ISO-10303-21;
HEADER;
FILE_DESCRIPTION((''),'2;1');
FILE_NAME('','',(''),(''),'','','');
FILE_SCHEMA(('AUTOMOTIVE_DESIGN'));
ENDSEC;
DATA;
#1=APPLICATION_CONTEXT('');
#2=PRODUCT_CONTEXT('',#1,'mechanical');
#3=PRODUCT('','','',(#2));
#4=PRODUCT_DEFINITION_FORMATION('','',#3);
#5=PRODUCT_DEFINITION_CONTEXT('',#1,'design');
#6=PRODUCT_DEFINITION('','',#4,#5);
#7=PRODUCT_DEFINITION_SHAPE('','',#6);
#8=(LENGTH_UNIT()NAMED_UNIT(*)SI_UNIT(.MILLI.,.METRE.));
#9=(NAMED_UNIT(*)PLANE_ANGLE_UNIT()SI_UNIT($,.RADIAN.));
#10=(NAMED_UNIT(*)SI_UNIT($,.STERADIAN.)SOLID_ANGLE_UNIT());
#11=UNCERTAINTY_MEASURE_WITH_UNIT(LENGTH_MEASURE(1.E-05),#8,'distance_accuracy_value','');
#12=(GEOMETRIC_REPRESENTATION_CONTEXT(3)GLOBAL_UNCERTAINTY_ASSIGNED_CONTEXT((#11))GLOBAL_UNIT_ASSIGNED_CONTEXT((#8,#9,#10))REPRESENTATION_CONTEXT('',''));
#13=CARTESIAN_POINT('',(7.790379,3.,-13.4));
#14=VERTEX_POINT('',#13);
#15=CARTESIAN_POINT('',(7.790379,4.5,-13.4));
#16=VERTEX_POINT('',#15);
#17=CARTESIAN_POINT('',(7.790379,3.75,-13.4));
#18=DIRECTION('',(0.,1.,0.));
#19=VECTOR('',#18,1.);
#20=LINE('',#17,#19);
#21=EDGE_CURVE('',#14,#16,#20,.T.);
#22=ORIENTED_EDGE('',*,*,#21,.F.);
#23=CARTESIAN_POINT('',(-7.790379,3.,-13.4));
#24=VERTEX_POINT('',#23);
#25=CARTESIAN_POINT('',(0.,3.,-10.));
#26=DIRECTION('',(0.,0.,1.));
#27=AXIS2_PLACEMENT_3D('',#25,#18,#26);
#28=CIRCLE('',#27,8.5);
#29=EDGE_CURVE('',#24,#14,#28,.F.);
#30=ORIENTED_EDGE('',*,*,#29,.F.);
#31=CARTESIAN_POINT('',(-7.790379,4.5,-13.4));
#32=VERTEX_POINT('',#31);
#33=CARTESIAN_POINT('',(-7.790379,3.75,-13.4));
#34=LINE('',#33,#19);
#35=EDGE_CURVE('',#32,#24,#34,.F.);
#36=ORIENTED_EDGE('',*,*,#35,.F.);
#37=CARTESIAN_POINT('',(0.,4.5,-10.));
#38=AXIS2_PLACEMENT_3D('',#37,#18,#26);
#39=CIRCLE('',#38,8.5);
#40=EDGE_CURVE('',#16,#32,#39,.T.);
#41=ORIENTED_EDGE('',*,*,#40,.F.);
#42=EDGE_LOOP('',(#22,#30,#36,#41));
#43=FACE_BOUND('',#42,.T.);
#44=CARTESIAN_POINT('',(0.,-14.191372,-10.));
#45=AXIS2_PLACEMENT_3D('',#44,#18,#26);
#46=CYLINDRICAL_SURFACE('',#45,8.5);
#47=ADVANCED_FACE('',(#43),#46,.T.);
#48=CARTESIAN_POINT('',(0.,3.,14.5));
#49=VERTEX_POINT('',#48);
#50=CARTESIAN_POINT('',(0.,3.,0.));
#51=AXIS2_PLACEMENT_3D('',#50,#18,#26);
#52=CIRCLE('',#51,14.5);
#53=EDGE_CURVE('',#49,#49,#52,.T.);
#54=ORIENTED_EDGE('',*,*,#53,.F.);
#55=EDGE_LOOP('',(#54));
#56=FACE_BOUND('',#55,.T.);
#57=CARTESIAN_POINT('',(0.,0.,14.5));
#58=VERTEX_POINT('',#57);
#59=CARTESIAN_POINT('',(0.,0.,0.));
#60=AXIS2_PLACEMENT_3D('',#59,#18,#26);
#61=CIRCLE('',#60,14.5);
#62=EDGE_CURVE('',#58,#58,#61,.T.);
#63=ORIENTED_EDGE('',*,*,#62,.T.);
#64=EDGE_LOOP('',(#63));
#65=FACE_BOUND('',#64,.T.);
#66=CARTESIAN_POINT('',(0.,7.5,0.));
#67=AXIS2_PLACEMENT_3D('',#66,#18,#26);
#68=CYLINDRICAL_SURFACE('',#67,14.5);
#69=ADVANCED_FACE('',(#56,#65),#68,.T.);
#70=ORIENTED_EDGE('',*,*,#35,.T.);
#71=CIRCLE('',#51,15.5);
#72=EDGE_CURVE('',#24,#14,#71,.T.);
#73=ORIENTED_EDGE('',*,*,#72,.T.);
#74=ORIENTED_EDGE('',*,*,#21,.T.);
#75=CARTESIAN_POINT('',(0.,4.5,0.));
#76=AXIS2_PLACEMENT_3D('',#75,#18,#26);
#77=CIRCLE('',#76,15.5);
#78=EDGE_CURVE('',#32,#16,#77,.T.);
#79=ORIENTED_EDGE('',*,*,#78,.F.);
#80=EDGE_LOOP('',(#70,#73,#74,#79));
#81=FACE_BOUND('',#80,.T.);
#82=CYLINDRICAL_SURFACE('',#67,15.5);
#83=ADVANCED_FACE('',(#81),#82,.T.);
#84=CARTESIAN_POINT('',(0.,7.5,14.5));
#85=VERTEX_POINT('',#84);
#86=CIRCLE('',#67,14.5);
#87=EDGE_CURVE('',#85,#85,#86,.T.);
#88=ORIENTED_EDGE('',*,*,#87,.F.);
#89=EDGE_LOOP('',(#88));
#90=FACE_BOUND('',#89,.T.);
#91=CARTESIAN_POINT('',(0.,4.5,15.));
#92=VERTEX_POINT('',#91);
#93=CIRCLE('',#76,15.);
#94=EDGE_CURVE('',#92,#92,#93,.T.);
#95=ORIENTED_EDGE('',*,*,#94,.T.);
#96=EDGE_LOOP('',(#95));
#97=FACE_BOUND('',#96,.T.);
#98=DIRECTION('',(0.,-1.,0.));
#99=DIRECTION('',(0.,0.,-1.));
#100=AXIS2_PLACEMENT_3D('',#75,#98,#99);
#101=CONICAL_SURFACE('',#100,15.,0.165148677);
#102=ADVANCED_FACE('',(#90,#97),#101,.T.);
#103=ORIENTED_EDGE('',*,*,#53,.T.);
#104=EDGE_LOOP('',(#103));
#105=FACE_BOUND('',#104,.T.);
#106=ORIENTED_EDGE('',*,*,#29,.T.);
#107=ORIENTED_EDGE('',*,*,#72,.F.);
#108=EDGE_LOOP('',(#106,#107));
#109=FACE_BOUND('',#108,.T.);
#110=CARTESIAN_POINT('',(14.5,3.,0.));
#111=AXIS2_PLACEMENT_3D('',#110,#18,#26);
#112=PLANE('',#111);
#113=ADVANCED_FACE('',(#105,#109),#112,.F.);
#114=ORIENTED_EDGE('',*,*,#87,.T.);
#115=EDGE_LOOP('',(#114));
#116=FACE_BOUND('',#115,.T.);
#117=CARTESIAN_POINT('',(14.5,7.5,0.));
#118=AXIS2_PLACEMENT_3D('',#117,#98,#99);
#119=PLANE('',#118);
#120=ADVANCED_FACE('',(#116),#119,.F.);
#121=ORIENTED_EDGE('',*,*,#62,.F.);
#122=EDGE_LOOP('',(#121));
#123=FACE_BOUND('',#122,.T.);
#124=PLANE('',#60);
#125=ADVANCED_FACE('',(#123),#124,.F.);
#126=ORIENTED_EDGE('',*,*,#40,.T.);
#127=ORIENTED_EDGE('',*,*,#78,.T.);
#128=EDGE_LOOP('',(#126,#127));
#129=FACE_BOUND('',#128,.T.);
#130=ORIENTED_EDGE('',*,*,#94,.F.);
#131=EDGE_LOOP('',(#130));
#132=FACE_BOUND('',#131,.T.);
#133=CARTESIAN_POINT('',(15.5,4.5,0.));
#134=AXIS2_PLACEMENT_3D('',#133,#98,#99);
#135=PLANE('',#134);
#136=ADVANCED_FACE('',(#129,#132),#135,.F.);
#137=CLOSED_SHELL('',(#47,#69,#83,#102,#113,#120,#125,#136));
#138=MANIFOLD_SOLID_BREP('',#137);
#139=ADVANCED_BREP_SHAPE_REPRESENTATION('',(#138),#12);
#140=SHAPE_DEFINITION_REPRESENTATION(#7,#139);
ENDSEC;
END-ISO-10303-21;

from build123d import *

# Parameters (mm, degrees)
BOSS_EXTRUDE1_DEPTH = 1.5


with BuildPart() as part:
    # Sketch1 → Revolve1 (revolve)
    with BuildSketch(Plane.XY, mode=Mode.PRIVATE) as revolve1_sk:
        Polygon((0, 0), (14.5, 0), (14.5, 3), (15.5, 3), (15.5, 4.5), (15, 4.5), (14.5, 7.5), (0, 7.5), align=None)
    revolve(revolve1_sk.sketch.rotate(Axis((0, 7.5, 0), (0, -1, 0)), 90), axis=Axis((0, 7.5, 0), (0, -1, 0)))

    # Sketch2 → Boss-Extrude1 (add)
    with BuildSketch(Plane(origin=(0, 4.5, 0), x_dir=(1, 0, 0), z_dir=(0, 1, 0))):
        with BuildLine():
            ThreePointArc((8.080445146, 12.6375), (0, 18.5), (-8.080445146, 12.6375))
            ThreePointArc((-8.080445146, 12.6375), (0, 15), (8.080445146, 12.6375))
        make_face()
    extrude(amount=-BOSS_EXTRUDE1_DEPTH)


solid = part.part
